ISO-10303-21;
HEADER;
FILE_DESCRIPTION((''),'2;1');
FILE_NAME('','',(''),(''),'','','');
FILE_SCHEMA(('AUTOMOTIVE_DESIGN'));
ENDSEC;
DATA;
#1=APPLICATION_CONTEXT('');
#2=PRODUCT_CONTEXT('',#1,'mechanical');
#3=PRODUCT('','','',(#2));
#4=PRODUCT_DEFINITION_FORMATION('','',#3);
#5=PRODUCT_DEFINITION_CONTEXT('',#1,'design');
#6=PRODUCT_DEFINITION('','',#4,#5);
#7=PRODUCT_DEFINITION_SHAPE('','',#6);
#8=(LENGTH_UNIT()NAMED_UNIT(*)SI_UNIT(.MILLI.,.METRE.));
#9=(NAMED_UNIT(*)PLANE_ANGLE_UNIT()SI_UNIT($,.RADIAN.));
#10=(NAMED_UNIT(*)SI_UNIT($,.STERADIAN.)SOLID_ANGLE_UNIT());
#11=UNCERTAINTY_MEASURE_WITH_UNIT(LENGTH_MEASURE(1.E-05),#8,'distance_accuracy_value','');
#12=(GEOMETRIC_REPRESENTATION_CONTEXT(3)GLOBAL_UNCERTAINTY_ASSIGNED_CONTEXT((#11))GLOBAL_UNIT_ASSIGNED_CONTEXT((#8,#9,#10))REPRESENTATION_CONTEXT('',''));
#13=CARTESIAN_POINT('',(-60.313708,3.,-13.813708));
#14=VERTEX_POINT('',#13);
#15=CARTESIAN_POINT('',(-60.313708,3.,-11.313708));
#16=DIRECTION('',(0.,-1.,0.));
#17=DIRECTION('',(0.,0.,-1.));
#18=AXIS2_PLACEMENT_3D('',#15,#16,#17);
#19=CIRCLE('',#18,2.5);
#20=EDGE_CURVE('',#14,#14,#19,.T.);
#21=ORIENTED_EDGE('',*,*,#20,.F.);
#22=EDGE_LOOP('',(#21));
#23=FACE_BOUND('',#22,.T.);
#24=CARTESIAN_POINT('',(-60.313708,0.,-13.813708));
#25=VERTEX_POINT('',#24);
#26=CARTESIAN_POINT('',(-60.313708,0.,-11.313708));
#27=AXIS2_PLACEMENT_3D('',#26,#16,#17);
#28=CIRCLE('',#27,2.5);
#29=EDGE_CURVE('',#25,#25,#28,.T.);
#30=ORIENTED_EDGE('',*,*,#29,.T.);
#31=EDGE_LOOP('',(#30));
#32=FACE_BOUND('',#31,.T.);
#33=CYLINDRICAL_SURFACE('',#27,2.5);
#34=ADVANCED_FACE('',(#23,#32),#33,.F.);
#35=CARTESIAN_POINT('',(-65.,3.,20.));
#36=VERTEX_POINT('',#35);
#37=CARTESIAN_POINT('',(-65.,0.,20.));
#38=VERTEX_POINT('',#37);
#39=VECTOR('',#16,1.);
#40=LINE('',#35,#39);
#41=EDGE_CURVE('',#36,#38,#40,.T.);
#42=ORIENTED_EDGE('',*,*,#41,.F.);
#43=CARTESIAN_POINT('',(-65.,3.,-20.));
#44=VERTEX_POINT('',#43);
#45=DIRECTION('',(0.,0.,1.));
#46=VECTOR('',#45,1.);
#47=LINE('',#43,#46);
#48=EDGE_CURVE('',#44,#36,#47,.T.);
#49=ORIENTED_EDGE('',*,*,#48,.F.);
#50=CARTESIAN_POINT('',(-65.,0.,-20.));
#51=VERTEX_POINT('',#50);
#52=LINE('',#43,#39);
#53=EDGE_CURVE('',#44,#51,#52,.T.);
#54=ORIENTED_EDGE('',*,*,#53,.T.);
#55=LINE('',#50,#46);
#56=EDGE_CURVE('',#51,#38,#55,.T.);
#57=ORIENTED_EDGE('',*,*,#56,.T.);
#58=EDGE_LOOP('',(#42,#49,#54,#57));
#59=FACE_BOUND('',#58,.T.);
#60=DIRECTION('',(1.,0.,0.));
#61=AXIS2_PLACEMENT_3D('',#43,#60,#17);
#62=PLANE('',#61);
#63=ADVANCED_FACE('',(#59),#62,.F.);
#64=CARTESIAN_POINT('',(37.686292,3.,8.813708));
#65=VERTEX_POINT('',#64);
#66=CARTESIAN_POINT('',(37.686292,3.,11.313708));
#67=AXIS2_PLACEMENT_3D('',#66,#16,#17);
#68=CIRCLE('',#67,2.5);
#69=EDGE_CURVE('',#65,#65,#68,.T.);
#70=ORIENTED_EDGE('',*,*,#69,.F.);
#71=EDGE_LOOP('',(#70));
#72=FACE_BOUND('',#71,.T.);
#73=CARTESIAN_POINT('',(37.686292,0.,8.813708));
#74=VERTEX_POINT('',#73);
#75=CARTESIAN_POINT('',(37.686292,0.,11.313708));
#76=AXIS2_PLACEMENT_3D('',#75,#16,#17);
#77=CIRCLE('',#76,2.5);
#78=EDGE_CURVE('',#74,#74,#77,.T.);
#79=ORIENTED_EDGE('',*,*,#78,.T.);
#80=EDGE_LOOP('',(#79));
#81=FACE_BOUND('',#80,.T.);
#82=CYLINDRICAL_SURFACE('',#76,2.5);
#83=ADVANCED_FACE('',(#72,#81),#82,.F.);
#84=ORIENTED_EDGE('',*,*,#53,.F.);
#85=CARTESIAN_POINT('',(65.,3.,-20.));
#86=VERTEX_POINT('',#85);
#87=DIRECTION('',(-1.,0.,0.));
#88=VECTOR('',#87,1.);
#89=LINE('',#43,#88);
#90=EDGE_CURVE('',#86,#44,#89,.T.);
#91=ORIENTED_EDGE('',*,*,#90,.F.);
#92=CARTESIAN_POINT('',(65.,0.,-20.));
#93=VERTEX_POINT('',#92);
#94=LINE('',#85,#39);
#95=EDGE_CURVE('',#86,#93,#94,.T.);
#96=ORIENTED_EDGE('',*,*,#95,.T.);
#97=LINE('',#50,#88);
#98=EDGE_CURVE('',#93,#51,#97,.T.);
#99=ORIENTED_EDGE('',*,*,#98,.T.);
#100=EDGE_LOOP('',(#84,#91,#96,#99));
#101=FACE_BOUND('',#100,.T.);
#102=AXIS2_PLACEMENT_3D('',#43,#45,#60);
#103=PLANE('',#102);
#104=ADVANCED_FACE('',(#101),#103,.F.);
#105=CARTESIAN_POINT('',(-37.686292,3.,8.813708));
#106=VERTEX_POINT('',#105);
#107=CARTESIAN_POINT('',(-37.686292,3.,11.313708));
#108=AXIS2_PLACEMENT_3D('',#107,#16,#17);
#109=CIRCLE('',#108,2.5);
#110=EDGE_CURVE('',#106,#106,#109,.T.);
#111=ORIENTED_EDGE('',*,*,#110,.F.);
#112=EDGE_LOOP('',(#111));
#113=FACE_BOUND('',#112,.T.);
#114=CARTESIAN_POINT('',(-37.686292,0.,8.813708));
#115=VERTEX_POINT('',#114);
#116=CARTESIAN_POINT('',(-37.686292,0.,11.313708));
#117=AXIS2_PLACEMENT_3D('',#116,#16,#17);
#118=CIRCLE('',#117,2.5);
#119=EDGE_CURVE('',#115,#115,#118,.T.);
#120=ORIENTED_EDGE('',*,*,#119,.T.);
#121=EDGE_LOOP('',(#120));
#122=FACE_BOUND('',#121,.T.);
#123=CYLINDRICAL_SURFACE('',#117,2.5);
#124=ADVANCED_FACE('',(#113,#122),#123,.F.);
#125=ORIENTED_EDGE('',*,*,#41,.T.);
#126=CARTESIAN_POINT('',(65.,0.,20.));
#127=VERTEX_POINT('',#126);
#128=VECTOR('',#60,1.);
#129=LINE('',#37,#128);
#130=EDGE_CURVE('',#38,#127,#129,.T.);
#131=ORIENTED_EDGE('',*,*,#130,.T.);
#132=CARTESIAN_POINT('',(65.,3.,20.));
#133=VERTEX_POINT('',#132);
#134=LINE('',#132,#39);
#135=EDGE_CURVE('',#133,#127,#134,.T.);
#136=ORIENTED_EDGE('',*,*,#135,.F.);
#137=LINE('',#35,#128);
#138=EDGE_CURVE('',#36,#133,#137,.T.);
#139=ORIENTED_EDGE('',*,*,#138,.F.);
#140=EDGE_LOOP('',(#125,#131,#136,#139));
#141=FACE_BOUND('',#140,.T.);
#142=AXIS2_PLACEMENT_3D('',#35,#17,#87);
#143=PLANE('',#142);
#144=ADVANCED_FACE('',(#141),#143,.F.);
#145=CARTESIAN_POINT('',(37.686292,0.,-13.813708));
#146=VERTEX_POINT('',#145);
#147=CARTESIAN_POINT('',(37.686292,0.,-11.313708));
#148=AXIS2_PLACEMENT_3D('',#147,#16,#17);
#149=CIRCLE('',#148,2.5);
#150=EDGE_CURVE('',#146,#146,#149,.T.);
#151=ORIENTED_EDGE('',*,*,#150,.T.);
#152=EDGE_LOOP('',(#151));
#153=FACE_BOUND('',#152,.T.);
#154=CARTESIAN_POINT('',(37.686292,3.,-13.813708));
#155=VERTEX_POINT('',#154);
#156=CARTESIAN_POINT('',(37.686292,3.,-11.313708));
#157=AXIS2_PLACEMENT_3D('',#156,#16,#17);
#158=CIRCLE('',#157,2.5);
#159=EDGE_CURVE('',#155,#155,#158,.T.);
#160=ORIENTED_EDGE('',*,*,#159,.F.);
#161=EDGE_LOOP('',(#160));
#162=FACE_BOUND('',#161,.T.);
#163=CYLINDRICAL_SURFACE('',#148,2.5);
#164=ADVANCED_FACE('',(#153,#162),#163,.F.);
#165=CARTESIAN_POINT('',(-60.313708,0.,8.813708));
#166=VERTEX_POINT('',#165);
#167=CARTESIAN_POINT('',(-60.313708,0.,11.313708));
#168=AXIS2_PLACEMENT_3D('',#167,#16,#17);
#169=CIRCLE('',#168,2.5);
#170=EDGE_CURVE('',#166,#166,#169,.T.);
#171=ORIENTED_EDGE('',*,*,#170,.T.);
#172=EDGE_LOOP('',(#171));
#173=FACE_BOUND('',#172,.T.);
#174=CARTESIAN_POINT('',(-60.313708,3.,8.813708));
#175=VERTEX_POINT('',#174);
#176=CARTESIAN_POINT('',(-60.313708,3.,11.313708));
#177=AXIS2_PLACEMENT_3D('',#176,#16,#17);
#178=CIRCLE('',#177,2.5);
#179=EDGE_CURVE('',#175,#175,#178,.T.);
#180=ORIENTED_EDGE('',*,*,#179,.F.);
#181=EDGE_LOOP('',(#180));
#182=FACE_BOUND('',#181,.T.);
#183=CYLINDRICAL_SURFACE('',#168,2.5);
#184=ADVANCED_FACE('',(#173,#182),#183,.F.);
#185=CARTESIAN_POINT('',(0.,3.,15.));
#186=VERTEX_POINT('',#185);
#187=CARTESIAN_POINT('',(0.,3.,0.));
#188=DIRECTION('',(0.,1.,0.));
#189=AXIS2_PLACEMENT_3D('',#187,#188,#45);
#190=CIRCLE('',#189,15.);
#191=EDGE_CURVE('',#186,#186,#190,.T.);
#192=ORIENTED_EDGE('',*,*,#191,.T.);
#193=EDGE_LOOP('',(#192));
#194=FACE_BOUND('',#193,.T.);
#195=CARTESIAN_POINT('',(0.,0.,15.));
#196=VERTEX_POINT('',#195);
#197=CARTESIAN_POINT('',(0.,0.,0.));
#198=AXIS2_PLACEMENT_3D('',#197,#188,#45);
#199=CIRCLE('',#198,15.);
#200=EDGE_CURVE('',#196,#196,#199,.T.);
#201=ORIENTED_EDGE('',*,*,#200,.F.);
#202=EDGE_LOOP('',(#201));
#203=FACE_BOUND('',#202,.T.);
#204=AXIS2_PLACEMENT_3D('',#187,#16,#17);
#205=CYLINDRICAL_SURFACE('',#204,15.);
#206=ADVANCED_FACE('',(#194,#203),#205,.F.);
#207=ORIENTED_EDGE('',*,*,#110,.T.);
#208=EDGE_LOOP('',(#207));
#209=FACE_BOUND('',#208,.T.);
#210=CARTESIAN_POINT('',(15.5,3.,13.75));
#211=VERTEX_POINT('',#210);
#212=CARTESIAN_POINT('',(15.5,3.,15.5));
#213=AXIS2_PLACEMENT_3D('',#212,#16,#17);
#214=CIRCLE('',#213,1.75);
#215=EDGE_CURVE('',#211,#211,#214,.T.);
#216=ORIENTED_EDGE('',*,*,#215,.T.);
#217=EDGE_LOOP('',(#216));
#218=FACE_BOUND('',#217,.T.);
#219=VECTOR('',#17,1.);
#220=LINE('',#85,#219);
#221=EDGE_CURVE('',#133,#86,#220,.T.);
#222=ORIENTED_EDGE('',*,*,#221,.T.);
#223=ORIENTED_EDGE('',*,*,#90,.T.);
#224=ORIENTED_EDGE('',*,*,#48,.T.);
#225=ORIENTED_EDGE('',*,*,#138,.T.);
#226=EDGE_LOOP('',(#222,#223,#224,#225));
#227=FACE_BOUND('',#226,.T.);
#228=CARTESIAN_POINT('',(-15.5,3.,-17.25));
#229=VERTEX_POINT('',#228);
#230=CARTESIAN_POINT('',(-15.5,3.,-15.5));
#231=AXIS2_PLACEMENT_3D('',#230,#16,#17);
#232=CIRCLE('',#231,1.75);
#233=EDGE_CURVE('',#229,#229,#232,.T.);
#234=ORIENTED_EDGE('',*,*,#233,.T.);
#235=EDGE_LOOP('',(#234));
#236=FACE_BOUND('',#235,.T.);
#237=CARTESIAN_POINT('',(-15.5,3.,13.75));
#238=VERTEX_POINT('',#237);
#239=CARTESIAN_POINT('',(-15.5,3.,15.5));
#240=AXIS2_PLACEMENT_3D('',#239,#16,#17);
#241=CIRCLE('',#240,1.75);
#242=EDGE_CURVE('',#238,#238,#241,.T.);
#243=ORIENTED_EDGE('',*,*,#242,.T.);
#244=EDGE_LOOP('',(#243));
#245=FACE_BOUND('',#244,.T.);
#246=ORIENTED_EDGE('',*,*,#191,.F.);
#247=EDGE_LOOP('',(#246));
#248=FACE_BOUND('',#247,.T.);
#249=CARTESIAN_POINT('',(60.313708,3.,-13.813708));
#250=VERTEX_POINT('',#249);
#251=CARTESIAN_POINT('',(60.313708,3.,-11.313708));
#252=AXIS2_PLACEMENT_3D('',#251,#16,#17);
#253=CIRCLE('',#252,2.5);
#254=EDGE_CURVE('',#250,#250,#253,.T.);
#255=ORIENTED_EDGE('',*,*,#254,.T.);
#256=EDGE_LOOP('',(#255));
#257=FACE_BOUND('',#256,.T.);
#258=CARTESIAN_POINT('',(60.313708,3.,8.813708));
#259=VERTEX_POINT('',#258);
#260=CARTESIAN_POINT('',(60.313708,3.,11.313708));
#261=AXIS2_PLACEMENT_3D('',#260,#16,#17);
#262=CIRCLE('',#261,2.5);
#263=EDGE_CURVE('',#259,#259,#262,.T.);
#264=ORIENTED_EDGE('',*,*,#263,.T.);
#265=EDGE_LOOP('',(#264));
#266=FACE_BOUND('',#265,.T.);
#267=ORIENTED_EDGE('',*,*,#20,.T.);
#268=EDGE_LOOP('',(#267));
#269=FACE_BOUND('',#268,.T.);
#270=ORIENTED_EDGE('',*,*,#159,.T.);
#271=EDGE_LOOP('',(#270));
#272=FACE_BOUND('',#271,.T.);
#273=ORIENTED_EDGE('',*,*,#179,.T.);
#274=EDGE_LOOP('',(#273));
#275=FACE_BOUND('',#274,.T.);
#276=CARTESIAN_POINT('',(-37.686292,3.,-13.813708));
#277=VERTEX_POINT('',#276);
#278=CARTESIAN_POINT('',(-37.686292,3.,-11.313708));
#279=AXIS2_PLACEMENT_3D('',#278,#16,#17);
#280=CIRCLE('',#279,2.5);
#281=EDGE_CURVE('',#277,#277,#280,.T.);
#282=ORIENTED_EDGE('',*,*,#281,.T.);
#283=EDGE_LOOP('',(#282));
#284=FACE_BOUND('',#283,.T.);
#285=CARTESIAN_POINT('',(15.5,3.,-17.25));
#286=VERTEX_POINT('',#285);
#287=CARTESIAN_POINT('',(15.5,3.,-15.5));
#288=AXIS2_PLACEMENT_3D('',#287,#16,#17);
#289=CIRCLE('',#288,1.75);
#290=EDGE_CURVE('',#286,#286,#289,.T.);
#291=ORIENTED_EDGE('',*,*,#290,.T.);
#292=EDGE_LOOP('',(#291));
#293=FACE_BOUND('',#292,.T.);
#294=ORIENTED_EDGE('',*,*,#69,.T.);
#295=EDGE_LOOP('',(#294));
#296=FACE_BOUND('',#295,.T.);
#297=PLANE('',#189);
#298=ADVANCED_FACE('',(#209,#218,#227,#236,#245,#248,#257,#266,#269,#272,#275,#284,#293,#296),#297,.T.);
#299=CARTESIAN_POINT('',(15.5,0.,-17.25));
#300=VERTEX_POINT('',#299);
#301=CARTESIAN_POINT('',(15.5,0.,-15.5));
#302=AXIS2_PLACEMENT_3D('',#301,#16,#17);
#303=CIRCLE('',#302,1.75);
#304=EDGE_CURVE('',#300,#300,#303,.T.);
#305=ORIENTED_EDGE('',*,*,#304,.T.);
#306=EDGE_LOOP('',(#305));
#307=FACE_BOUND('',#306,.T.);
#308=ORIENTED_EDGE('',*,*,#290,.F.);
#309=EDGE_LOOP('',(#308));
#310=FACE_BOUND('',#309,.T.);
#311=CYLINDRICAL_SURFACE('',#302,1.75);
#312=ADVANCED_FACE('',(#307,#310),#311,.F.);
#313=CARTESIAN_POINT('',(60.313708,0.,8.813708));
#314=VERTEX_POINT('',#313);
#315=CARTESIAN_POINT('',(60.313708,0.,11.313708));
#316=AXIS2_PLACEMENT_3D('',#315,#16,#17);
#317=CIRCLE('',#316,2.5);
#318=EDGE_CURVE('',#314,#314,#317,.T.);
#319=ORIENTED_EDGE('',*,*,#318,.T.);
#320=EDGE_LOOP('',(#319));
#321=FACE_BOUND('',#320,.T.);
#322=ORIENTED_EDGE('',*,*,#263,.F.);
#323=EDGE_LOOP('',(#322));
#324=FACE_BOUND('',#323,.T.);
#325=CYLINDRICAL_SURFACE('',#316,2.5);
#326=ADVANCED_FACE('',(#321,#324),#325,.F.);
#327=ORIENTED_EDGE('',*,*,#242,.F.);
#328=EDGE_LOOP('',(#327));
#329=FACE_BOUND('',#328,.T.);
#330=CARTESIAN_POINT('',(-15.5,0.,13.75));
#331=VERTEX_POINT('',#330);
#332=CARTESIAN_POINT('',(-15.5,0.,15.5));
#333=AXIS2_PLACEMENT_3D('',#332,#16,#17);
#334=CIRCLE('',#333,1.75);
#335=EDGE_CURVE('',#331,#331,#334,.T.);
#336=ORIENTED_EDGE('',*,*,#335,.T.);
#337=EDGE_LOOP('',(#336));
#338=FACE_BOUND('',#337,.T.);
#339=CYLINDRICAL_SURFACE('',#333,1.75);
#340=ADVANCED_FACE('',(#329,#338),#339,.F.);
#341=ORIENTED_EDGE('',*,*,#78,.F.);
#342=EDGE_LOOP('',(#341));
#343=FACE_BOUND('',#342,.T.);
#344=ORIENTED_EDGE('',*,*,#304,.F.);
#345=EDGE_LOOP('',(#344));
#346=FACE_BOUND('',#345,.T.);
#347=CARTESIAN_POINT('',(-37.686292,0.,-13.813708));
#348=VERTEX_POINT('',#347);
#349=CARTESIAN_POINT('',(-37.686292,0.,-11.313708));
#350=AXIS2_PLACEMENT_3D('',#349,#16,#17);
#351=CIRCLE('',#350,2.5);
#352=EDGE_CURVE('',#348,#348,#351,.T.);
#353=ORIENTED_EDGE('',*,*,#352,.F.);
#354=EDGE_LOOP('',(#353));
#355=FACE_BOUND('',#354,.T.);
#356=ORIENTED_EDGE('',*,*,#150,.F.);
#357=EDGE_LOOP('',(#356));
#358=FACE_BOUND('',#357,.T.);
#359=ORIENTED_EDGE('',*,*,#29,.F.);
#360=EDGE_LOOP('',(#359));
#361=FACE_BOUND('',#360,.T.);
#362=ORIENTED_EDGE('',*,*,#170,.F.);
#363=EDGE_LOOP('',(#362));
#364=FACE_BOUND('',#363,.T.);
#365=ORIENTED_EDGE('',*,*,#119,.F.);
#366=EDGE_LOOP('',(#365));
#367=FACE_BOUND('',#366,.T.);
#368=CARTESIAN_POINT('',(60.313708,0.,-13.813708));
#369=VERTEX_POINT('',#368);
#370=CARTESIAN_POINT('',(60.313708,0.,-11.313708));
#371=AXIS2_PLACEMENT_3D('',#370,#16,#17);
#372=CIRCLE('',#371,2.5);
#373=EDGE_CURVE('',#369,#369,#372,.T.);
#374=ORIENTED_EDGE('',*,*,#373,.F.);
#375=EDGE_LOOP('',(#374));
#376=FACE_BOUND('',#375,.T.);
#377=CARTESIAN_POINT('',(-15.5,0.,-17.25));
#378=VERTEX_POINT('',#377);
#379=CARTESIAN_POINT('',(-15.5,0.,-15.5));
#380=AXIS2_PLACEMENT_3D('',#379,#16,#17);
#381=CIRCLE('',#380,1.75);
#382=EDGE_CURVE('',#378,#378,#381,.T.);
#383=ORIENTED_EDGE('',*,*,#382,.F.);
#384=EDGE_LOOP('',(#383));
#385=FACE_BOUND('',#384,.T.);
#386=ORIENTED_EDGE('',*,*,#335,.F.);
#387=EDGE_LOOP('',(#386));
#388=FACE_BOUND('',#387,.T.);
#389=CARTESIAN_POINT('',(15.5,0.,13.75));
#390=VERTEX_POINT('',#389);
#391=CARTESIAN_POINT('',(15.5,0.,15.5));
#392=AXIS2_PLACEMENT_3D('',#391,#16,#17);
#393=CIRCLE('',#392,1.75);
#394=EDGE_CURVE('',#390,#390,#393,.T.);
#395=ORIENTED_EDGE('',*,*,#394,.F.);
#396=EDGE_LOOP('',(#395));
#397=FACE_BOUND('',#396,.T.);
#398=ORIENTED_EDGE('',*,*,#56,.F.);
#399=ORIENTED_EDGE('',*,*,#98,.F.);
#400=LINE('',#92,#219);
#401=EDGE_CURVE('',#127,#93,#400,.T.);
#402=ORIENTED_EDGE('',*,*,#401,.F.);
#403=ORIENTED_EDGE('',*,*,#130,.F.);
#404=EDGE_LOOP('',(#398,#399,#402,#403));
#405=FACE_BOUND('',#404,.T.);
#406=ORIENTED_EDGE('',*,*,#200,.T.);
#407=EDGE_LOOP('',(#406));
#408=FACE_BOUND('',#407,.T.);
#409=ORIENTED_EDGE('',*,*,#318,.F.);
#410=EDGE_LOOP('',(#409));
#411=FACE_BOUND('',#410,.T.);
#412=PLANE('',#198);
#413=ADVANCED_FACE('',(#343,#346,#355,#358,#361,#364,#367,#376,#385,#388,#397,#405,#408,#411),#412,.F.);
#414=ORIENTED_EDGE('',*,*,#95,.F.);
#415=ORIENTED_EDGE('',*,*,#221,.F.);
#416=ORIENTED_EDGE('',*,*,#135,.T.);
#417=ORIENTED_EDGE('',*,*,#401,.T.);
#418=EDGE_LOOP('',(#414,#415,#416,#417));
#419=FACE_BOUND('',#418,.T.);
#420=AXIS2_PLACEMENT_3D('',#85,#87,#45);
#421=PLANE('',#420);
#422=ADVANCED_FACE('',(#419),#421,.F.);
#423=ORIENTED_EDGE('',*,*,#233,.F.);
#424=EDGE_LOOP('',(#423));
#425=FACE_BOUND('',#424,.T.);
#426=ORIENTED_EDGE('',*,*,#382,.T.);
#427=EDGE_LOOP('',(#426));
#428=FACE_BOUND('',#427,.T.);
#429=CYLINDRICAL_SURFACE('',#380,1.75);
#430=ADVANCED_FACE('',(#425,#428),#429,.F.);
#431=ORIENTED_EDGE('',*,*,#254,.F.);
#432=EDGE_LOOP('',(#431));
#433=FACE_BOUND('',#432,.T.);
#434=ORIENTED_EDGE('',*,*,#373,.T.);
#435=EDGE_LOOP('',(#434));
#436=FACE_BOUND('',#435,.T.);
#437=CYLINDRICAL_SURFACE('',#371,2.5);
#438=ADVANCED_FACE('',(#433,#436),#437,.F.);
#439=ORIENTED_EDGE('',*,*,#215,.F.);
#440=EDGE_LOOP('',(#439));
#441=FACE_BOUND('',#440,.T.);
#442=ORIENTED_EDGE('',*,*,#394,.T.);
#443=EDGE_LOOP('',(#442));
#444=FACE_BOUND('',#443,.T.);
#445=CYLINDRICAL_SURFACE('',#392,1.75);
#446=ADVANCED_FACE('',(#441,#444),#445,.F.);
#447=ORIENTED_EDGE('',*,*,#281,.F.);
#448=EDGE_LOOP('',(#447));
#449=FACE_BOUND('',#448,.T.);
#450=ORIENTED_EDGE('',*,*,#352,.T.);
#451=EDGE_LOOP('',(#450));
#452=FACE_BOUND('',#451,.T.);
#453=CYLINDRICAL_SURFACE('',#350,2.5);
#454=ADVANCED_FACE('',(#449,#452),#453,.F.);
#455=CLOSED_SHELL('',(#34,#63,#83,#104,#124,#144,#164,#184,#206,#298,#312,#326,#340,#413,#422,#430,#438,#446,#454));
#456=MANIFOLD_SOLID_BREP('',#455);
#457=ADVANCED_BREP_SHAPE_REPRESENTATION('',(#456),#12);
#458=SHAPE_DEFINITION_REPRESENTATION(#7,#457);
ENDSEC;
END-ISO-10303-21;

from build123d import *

# Parameters (mm, degrees)
SKETCH1_W                  = 130
SKETCH1_H                  = 40
BOSS_EXTRUDE1_DEPTH        = 3
SKETCH2_R                  = 15
CUT_EXTRUDE1_DEPTH         = 69.0734897
F_5_0_5_DIAMETER_HOLE1_D   = 5
F_3_5_3_5_DIAMETER_HOLE1_D = 3.5


with BuildPart() as part:
    # Sketch1 → Boss-Extrude1 (new body)
    with BuildSketch(Plane(origin=(0, 0, 0), x_dir=(1, 0, 0), z_dir=(0, 1, 0))):
        Rectangle(SKETCH1_W, SKETCH1_H)
    extrude(amount=BOSS_EXTRUDE1_DEPTH)

    # Sketch2 → Cut-Extrude1 (cut, through all)
    with BuildSketch(Plane(origin=(0, 0, 0), x_dir=(1, 0, 0), z_dir=(0, 1, 0))):
        with Locations(Location((0, 0, 0), (0, 0, 270))):
            Circle(SKETCH2_R)
    extrude(amount=CUT_EXTRUDE1_DEPTH, mode=Mode.SUBTRACT)

    # Ø5.0 (5) Diameter Hole1 (through all)
    with Locations(Plane(origin=(0, 0, 0), x_dir=(-1, 0, 0), z_dir=(0, -1, 0))):
        with Locations((60.313708499, 11.313708499), (60.313708499, -11.313708499), (37.686291501, -11.313708499), (37.686291501, 11.313708499)):
            f_5_0_5_diameter_hole1 = Hole(F_5_0_5_DIAMETER_HOLE1_D / 2)

    # Mirror1: Ø5.0 (5) Diameter Hole1 across plane
    add(f_5_0_5_diameter_hole1.mirror(Plane(origin=(0, 0, 0), x_dir=(0, 0, 1), z_dir=(1, 0, 0))), mode=Mode.SUBTRACT)

    # Ø3.5 (3.5) Diameter Hole1 (through all)
    with Locations(Plane(origin=(0, 0, 0), x_dir=(-1, 0, 0), z_dir=(0, -1, 0))):
        with Locations((0, 0), (-15.5, 15.5), (15.5, -15.5), (15.5, 15.5), (-15.5, -15.5)):
            Hole(F_3_5_3_5_DIAMETER_HOLE1_D / 2)


solid = part.part
